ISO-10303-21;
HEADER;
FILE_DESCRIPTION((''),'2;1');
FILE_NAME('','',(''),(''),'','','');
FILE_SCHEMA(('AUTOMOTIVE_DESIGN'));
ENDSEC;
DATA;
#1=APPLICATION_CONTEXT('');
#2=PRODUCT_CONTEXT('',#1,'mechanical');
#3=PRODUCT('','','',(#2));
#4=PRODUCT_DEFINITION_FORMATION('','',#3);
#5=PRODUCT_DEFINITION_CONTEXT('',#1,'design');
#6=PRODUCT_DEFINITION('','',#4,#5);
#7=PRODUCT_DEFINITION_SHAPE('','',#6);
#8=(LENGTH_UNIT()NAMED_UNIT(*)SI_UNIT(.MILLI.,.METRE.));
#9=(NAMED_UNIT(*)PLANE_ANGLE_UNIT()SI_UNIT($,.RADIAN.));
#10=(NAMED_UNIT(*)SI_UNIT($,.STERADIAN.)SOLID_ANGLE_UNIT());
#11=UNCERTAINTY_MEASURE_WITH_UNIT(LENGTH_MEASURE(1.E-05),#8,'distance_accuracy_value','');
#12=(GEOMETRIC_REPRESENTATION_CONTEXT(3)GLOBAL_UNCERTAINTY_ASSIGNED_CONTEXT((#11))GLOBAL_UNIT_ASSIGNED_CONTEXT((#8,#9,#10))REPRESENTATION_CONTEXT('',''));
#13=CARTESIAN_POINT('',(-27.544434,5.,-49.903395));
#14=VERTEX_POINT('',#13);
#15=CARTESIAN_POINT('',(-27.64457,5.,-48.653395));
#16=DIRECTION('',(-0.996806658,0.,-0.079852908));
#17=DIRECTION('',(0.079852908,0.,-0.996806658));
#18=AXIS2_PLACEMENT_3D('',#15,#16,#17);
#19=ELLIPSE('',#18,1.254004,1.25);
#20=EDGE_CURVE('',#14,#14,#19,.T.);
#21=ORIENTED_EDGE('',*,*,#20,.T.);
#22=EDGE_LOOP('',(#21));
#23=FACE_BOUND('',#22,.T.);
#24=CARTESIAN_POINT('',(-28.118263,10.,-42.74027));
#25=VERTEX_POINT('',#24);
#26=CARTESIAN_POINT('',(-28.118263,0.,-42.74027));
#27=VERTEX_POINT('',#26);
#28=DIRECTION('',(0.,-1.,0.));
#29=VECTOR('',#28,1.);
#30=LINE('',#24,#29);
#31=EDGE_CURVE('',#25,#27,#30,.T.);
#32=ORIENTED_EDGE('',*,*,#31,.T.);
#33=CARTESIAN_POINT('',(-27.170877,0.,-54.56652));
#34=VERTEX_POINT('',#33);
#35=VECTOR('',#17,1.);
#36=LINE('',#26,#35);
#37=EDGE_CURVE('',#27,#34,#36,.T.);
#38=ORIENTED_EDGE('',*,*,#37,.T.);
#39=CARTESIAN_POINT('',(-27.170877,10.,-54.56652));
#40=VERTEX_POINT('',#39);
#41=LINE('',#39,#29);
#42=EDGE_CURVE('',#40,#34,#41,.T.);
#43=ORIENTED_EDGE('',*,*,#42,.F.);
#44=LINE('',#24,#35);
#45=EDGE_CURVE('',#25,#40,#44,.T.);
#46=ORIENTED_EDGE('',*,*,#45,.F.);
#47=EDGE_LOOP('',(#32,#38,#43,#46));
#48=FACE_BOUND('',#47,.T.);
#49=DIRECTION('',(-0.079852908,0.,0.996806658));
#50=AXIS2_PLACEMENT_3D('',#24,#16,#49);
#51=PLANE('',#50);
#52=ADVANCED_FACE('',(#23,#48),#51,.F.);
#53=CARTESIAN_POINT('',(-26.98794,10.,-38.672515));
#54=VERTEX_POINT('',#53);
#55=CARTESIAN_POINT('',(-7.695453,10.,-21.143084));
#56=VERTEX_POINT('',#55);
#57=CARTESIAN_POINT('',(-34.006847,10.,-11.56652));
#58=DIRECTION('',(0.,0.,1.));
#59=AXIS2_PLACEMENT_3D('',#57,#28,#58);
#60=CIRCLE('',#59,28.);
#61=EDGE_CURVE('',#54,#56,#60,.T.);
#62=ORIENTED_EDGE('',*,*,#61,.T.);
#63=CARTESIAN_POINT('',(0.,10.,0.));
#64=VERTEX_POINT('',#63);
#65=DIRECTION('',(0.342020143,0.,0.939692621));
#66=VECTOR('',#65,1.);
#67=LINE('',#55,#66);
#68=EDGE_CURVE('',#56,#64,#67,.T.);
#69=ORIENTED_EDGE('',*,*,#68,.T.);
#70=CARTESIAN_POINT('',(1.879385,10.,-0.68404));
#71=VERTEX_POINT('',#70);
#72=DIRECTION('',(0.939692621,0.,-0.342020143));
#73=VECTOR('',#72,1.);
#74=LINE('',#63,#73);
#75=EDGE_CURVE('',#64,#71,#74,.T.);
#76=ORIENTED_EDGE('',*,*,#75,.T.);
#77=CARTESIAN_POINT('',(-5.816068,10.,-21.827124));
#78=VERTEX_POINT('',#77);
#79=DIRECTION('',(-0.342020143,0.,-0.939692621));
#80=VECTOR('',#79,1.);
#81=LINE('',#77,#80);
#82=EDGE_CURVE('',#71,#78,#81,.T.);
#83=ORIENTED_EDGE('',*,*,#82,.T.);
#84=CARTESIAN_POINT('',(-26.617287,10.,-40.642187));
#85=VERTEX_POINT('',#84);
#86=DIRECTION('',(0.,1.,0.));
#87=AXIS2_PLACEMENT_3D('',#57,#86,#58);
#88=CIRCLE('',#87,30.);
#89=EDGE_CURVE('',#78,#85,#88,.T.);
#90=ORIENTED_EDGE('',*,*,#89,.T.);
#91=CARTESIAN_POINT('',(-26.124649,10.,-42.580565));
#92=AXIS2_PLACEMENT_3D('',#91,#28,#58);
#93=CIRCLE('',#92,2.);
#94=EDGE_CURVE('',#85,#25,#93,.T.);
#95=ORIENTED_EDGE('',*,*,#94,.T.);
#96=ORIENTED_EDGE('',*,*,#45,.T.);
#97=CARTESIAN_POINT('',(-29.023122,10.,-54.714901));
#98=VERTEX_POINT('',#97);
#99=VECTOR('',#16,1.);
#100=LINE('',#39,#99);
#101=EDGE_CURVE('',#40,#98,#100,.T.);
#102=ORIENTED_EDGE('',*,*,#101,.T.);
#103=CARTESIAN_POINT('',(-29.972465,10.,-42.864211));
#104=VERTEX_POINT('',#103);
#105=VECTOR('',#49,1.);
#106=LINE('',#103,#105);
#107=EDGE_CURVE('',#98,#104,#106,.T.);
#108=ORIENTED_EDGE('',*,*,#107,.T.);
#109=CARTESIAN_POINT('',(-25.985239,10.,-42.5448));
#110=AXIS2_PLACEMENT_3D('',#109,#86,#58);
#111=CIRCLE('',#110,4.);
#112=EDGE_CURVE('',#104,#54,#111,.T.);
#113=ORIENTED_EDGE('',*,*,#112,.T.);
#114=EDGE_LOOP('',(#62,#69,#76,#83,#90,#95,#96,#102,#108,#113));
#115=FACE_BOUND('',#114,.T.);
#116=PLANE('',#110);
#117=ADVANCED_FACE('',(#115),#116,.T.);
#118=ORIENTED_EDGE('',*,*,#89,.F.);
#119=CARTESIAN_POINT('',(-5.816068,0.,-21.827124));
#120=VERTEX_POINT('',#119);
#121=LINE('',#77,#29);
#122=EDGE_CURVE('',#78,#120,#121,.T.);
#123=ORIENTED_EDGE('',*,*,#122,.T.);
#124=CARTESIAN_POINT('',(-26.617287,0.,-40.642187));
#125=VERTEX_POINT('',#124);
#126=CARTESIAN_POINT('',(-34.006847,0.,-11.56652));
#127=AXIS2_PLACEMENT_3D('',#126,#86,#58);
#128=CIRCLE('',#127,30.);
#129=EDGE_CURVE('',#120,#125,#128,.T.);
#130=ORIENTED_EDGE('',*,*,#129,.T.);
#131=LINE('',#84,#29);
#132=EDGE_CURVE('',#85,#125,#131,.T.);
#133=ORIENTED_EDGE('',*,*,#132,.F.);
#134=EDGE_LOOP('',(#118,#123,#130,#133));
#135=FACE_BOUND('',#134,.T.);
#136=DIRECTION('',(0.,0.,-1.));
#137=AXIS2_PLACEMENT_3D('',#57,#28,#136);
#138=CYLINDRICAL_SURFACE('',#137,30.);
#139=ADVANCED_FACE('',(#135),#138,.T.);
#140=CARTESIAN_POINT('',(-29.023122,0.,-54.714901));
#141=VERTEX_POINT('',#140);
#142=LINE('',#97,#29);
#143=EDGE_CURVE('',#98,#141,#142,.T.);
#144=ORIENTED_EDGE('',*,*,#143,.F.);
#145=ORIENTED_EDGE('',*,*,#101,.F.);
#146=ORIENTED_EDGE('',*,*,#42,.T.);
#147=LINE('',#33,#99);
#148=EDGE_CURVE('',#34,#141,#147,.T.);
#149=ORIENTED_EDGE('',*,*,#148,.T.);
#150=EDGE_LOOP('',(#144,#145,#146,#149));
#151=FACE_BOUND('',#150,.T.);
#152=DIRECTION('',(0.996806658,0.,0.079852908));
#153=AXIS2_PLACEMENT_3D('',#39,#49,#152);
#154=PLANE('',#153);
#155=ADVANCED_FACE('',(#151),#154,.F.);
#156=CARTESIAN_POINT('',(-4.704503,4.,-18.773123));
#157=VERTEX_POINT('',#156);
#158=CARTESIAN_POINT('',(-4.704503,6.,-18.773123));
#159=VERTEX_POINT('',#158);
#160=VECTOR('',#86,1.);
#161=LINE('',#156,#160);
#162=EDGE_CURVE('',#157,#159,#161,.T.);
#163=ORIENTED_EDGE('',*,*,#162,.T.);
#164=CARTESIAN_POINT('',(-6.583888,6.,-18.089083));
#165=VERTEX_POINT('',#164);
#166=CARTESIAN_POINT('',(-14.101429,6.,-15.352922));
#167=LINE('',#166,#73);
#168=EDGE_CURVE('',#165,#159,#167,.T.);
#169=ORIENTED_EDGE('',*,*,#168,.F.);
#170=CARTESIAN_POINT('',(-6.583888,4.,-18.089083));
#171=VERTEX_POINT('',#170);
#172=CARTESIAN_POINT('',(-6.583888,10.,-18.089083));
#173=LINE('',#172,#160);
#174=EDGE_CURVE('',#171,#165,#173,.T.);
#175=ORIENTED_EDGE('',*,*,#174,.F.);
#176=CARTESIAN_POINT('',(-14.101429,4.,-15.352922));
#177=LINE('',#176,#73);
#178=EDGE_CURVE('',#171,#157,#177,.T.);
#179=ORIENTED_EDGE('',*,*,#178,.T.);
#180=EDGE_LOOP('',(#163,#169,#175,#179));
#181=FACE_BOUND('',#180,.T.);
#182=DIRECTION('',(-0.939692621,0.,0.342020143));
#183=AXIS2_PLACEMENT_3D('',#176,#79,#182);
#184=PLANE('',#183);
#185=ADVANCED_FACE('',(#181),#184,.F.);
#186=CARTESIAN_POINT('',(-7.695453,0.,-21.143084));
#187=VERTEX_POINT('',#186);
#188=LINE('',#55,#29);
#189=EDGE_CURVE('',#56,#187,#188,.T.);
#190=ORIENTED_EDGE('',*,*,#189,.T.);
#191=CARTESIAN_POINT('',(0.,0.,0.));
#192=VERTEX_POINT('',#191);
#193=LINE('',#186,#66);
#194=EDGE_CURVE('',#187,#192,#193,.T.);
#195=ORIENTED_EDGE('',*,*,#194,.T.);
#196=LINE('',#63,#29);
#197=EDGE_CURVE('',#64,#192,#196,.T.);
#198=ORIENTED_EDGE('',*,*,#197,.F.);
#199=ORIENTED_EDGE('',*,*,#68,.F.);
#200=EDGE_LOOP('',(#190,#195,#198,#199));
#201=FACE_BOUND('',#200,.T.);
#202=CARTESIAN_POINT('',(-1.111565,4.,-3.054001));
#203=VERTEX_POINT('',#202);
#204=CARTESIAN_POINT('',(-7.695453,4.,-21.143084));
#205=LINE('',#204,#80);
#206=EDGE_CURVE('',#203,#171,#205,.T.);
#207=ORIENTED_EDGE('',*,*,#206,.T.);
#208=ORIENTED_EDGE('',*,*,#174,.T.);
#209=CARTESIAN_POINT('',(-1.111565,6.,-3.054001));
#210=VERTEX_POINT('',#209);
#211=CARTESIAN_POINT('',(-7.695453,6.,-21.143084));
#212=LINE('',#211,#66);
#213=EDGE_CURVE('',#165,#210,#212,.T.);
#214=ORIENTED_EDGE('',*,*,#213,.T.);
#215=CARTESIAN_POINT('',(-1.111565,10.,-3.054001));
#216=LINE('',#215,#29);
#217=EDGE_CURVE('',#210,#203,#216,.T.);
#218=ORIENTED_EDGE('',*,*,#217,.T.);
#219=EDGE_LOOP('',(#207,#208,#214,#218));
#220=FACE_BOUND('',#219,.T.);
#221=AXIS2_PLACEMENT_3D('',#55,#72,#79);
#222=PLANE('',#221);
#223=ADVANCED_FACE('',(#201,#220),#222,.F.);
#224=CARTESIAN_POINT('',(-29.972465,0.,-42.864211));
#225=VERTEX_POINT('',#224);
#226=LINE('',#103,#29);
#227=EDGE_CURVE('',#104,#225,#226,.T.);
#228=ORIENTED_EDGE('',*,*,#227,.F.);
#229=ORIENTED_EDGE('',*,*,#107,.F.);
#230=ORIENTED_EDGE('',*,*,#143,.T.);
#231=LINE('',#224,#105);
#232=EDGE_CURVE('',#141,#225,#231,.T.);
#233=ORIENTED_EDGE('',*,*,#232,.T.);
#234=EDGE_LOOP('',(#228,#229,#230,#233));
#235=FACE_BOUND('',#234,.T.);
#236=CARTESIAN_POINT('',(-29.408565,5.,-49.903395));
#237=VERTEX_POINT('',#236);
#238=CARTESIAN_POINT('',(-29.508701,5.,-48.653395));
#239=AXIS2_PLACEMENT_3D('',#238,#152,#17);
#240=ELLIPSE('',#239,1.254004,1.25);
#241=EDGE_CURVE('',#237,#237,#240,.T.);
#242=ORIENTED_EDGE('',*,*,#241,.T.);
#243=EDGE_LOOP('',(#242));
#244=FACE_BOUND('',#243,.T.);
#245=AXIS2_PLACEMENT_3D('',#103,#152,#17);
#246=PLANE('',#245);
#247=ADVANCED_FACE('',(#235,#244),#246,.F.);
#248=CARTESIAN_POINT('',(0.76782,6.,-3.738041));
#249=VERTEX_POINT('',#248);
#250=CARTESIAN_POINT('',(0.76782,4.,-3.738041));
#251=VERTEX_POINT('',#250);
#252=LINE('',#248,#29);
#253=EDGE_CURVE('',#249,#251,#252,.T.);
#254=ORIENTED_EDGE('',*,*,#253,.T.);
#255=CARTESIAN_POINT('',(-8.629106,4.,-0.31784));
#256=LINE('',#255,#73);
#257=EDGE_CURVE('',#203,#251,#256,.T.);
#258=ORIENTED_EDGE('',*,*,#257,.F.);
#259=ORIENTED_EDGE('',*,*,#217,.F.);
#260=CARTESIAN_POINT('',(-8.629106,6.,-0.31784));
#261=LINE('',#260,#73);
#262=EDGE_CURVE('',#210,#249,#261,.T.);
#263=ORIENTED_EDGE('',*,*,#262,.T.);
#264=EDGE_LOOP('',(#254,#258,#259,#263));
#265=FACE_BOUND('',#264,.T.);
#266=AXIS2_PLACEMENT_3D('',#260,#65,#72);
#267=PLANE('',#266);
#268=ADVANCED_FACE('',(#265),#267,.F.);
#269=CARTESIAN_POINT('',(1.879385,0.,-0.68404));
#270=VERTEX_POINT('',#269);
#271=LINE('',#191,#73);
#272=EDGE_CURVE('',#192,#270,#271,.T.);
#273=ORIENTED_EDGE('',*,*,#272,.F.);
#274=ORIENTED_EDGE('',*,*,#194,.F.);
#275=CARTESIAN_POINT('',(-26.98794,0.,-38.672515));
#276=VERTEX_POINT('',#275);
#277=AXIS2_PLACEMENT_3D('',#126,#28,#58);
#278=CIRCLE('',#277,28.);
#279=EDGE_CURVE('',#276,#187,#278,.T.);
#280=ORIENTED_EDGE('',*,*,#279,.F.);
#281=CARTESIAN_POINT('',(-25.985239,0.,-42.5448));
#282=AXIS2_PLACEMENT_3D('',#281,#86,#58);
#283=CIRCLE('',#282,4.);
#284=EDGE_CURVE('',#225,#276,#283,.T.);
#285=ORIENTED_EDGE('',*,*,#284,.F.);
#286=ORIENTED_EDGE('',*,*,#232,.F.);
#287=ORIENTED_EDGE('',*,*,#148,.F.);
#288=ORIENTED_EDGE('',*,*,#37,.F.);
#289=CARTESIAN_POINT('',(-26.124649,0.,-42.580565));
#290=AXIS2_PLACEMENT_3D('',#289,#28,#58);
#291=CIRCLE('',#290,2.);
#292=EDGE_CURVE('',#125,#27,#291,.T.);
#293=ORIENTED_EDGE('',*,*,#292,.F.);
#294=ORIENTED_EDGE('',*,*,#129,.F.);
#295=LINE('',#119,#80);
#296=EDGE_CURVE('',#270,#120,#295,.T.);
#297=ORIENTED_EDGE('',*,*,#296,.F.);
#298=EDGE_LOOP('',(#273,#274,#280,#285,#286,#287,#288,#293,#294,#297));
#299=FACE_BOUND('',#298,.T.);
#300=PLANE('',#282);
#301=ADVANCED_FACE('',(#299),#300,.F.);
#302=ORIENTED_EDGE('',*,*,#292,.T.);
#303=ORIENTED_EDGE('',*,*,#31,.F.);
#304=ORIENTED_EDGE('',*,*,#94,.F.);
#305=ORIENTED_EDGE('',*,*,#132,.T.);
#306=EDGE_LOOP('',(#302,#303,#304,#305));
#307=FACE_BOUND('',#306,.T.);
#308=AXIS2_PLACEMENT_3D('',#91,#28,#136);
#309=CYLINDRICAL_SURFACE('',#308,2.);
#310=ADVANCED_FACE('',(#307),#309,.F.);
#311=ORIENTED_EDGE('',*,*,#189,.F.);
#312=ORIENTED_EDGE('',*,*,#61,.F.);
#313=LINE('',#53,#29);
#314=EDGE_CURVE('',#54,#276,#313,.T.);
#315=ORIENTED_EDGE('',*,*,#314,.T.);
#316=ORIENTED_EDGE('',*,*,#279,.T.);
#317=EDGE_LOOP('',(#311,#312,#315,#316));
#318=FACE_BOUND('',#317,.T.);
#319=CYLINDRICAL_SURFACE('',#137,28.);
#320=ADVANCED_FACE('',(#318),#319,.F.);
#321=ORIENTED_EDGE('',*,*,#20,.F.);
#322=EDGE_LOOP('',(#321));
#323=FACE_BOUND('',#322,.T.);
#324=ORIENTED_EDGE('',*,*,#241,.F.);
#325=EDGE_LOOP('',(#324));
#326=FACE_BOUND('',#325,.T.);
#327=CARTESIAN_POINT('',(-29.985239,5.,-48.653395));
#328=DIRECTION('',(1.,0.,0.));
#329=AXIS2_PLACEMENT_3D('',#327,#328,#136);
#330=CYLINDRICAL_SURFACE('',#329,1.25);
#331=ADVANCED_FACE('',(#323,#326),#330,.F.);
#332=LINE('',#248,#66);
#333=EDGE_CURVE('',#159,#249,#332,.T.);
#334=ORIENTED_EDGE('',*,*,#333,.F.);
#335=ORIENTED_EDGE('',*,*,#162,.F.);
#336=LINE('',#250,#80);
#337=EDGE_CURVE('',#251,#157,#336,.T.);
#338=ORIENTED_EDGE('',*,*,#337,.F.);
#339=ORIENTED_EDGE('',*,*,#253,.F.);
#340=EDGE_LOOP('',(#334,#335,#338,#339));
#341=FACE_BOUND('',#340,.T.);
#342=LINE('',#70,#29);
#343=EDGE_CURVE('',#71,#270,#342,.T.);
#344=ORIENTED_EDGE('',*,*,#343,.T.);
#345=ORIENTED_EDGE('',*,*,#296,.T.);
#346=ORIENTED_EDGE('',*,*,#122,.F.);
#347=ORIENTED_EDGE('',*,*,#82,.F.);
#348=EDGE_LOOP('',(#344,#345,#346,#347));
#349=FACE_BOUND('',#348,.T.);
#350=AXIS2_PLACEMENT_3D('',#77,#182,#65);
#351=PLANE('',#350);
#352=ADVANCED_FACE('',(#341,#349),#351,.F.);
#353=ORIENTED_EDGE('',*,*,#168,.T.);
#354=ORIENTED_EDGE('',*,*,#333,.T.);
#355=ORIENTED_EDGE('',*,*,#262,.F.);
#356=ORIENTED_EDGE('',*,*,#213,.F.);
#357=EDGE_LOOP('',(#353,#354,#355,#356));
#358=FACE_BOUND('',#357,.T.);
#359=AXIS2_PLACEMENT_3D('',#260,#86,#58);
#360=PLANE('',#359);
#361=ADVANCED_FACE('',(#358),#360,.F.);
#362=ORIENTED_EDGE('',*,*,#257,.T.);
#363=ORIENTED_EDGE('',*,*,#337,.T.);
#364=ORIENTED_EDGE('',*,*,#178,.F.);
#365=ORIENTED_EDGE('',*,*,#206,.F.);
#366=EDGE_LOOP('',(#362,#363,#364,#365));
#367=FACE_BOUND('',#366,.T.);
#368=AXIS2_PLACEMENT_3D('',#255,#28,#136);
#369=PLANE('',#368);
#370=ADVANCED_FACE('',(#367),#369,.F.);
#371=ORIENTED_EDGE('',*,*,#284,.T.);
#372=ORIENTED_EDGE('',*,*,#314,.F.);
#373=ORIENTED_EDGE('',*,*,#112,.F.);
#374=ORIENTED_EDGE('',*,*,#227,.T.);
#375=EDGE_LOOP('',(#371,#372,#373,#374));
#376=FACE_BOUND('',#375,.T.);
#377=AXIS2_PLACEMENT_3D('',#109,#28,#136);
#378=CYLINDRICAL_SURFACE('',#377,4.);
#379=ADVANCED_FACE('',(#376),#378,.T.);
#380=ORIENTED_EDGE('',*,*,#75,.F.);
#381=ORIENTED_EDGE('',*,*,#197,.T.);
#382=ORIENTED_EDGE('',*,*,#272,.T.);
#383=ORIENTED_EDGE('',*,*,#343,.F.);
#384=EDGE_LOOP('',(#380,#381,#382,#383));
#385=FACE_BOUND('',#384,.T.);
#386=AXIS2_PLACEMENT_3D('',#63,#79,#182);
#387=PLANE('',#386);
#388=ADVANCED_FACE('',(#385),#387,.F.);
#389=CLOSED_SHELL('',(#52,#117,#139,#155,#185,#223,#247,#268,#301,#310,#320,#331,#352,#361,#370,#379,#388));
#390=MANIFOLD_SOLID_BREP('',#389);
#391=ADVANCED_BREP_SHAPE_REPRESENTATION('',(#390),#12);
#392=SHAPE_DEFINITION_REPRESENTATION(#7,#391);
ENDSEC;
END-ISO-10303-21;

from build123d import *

# Parameters (mm, degrees)
EXTRUDE_1_DEPTH     = 10
SKETCH_2_R          = 1.25
CUT_EXTRUDE_1_DEPTH = 64.188882811
SKETCH_3_W          = 16
SKETCH_3_H          = 2
CUT_EXTRUDE_2_DEPTH = 10


with BuildPart() as part:
    # Эскиз1 → Бобышка-Вытянуть1 (new body)
    with BuildSketch(Plane(origin=(0, 0, 0), x_dir=(1, 0, 0), z_dir=(0, 1, 0))):
        with BuildLine():
            Line((-28.118262676, 42.740270437), (-27.170876932, 54.566519955))
            Line((-27.170876932, 54.566519955), (-29.023121545, 54.714900905))
            Line((-29.023121545, 54.714900905), (-29.972465165, 42.864211138))
            ThreePointArc((-29.972465165, 42.864211138), (-29.243677502, 40.224761685), (-26.987939543, 38.672514561))
            ThreePointArc((-26.987939543, 38.672514561), (-15.177415755, 32.289756522), (-7.695453225, 21.143083968))
            Line((-7.695453225, 21.143083968), (0, 0))
            Line((0, 0), (1.879385242, 0.684040287))
            Line((1.879385242, 0.684040287), (-5.816067983, 21.827124254))
            ThreePointArc((-5.816067983, 21.827124254), (-13.882439346, 33.815300424), (-26.617286688, 40.642186829))
            ThreePointArc((-26.617286688, 40.642186829), (-27.751256034, 41.416884799), (-28.118262676, 42.740270437))
        make_face()
    extrude(amount=EXTRUDE_1_DEPTH)

    # Эскиз2 → Вырез-Вытянуть1 (cut, through all)
    with BuildSketch(Plane(origin=(0, 0, 0), x_dir=(0, 0, -1), z_dir=(1, 0, 0))):
        with Locations((48.653395196, 5)):
            Circle(SKETCH_2_R)
    extrude(amount=-CUT_EXTRUDE_1_DEPTH, mode=Mode.SUBTRACT)

    # Эскиз3 → Вырез-Вытянуть2 (cut)
    with BuildSketch(Plane(origin=(1.879385242, 0, -0.684040287), x_dir=(-0.34202014332566943, 0, -0.9396926207859082), z_dir=(0.9396926207859082, 0, -0.34202014332566943))):
        with Locations((11.25, 5)):
            Rectangle(SKETCH_3_W, SKETCH_3_H)
    extrude(amount=-CUT_EXTRUDE_2_DEPTH, mode=Mode.SUBTRACT)


solid = part.part
